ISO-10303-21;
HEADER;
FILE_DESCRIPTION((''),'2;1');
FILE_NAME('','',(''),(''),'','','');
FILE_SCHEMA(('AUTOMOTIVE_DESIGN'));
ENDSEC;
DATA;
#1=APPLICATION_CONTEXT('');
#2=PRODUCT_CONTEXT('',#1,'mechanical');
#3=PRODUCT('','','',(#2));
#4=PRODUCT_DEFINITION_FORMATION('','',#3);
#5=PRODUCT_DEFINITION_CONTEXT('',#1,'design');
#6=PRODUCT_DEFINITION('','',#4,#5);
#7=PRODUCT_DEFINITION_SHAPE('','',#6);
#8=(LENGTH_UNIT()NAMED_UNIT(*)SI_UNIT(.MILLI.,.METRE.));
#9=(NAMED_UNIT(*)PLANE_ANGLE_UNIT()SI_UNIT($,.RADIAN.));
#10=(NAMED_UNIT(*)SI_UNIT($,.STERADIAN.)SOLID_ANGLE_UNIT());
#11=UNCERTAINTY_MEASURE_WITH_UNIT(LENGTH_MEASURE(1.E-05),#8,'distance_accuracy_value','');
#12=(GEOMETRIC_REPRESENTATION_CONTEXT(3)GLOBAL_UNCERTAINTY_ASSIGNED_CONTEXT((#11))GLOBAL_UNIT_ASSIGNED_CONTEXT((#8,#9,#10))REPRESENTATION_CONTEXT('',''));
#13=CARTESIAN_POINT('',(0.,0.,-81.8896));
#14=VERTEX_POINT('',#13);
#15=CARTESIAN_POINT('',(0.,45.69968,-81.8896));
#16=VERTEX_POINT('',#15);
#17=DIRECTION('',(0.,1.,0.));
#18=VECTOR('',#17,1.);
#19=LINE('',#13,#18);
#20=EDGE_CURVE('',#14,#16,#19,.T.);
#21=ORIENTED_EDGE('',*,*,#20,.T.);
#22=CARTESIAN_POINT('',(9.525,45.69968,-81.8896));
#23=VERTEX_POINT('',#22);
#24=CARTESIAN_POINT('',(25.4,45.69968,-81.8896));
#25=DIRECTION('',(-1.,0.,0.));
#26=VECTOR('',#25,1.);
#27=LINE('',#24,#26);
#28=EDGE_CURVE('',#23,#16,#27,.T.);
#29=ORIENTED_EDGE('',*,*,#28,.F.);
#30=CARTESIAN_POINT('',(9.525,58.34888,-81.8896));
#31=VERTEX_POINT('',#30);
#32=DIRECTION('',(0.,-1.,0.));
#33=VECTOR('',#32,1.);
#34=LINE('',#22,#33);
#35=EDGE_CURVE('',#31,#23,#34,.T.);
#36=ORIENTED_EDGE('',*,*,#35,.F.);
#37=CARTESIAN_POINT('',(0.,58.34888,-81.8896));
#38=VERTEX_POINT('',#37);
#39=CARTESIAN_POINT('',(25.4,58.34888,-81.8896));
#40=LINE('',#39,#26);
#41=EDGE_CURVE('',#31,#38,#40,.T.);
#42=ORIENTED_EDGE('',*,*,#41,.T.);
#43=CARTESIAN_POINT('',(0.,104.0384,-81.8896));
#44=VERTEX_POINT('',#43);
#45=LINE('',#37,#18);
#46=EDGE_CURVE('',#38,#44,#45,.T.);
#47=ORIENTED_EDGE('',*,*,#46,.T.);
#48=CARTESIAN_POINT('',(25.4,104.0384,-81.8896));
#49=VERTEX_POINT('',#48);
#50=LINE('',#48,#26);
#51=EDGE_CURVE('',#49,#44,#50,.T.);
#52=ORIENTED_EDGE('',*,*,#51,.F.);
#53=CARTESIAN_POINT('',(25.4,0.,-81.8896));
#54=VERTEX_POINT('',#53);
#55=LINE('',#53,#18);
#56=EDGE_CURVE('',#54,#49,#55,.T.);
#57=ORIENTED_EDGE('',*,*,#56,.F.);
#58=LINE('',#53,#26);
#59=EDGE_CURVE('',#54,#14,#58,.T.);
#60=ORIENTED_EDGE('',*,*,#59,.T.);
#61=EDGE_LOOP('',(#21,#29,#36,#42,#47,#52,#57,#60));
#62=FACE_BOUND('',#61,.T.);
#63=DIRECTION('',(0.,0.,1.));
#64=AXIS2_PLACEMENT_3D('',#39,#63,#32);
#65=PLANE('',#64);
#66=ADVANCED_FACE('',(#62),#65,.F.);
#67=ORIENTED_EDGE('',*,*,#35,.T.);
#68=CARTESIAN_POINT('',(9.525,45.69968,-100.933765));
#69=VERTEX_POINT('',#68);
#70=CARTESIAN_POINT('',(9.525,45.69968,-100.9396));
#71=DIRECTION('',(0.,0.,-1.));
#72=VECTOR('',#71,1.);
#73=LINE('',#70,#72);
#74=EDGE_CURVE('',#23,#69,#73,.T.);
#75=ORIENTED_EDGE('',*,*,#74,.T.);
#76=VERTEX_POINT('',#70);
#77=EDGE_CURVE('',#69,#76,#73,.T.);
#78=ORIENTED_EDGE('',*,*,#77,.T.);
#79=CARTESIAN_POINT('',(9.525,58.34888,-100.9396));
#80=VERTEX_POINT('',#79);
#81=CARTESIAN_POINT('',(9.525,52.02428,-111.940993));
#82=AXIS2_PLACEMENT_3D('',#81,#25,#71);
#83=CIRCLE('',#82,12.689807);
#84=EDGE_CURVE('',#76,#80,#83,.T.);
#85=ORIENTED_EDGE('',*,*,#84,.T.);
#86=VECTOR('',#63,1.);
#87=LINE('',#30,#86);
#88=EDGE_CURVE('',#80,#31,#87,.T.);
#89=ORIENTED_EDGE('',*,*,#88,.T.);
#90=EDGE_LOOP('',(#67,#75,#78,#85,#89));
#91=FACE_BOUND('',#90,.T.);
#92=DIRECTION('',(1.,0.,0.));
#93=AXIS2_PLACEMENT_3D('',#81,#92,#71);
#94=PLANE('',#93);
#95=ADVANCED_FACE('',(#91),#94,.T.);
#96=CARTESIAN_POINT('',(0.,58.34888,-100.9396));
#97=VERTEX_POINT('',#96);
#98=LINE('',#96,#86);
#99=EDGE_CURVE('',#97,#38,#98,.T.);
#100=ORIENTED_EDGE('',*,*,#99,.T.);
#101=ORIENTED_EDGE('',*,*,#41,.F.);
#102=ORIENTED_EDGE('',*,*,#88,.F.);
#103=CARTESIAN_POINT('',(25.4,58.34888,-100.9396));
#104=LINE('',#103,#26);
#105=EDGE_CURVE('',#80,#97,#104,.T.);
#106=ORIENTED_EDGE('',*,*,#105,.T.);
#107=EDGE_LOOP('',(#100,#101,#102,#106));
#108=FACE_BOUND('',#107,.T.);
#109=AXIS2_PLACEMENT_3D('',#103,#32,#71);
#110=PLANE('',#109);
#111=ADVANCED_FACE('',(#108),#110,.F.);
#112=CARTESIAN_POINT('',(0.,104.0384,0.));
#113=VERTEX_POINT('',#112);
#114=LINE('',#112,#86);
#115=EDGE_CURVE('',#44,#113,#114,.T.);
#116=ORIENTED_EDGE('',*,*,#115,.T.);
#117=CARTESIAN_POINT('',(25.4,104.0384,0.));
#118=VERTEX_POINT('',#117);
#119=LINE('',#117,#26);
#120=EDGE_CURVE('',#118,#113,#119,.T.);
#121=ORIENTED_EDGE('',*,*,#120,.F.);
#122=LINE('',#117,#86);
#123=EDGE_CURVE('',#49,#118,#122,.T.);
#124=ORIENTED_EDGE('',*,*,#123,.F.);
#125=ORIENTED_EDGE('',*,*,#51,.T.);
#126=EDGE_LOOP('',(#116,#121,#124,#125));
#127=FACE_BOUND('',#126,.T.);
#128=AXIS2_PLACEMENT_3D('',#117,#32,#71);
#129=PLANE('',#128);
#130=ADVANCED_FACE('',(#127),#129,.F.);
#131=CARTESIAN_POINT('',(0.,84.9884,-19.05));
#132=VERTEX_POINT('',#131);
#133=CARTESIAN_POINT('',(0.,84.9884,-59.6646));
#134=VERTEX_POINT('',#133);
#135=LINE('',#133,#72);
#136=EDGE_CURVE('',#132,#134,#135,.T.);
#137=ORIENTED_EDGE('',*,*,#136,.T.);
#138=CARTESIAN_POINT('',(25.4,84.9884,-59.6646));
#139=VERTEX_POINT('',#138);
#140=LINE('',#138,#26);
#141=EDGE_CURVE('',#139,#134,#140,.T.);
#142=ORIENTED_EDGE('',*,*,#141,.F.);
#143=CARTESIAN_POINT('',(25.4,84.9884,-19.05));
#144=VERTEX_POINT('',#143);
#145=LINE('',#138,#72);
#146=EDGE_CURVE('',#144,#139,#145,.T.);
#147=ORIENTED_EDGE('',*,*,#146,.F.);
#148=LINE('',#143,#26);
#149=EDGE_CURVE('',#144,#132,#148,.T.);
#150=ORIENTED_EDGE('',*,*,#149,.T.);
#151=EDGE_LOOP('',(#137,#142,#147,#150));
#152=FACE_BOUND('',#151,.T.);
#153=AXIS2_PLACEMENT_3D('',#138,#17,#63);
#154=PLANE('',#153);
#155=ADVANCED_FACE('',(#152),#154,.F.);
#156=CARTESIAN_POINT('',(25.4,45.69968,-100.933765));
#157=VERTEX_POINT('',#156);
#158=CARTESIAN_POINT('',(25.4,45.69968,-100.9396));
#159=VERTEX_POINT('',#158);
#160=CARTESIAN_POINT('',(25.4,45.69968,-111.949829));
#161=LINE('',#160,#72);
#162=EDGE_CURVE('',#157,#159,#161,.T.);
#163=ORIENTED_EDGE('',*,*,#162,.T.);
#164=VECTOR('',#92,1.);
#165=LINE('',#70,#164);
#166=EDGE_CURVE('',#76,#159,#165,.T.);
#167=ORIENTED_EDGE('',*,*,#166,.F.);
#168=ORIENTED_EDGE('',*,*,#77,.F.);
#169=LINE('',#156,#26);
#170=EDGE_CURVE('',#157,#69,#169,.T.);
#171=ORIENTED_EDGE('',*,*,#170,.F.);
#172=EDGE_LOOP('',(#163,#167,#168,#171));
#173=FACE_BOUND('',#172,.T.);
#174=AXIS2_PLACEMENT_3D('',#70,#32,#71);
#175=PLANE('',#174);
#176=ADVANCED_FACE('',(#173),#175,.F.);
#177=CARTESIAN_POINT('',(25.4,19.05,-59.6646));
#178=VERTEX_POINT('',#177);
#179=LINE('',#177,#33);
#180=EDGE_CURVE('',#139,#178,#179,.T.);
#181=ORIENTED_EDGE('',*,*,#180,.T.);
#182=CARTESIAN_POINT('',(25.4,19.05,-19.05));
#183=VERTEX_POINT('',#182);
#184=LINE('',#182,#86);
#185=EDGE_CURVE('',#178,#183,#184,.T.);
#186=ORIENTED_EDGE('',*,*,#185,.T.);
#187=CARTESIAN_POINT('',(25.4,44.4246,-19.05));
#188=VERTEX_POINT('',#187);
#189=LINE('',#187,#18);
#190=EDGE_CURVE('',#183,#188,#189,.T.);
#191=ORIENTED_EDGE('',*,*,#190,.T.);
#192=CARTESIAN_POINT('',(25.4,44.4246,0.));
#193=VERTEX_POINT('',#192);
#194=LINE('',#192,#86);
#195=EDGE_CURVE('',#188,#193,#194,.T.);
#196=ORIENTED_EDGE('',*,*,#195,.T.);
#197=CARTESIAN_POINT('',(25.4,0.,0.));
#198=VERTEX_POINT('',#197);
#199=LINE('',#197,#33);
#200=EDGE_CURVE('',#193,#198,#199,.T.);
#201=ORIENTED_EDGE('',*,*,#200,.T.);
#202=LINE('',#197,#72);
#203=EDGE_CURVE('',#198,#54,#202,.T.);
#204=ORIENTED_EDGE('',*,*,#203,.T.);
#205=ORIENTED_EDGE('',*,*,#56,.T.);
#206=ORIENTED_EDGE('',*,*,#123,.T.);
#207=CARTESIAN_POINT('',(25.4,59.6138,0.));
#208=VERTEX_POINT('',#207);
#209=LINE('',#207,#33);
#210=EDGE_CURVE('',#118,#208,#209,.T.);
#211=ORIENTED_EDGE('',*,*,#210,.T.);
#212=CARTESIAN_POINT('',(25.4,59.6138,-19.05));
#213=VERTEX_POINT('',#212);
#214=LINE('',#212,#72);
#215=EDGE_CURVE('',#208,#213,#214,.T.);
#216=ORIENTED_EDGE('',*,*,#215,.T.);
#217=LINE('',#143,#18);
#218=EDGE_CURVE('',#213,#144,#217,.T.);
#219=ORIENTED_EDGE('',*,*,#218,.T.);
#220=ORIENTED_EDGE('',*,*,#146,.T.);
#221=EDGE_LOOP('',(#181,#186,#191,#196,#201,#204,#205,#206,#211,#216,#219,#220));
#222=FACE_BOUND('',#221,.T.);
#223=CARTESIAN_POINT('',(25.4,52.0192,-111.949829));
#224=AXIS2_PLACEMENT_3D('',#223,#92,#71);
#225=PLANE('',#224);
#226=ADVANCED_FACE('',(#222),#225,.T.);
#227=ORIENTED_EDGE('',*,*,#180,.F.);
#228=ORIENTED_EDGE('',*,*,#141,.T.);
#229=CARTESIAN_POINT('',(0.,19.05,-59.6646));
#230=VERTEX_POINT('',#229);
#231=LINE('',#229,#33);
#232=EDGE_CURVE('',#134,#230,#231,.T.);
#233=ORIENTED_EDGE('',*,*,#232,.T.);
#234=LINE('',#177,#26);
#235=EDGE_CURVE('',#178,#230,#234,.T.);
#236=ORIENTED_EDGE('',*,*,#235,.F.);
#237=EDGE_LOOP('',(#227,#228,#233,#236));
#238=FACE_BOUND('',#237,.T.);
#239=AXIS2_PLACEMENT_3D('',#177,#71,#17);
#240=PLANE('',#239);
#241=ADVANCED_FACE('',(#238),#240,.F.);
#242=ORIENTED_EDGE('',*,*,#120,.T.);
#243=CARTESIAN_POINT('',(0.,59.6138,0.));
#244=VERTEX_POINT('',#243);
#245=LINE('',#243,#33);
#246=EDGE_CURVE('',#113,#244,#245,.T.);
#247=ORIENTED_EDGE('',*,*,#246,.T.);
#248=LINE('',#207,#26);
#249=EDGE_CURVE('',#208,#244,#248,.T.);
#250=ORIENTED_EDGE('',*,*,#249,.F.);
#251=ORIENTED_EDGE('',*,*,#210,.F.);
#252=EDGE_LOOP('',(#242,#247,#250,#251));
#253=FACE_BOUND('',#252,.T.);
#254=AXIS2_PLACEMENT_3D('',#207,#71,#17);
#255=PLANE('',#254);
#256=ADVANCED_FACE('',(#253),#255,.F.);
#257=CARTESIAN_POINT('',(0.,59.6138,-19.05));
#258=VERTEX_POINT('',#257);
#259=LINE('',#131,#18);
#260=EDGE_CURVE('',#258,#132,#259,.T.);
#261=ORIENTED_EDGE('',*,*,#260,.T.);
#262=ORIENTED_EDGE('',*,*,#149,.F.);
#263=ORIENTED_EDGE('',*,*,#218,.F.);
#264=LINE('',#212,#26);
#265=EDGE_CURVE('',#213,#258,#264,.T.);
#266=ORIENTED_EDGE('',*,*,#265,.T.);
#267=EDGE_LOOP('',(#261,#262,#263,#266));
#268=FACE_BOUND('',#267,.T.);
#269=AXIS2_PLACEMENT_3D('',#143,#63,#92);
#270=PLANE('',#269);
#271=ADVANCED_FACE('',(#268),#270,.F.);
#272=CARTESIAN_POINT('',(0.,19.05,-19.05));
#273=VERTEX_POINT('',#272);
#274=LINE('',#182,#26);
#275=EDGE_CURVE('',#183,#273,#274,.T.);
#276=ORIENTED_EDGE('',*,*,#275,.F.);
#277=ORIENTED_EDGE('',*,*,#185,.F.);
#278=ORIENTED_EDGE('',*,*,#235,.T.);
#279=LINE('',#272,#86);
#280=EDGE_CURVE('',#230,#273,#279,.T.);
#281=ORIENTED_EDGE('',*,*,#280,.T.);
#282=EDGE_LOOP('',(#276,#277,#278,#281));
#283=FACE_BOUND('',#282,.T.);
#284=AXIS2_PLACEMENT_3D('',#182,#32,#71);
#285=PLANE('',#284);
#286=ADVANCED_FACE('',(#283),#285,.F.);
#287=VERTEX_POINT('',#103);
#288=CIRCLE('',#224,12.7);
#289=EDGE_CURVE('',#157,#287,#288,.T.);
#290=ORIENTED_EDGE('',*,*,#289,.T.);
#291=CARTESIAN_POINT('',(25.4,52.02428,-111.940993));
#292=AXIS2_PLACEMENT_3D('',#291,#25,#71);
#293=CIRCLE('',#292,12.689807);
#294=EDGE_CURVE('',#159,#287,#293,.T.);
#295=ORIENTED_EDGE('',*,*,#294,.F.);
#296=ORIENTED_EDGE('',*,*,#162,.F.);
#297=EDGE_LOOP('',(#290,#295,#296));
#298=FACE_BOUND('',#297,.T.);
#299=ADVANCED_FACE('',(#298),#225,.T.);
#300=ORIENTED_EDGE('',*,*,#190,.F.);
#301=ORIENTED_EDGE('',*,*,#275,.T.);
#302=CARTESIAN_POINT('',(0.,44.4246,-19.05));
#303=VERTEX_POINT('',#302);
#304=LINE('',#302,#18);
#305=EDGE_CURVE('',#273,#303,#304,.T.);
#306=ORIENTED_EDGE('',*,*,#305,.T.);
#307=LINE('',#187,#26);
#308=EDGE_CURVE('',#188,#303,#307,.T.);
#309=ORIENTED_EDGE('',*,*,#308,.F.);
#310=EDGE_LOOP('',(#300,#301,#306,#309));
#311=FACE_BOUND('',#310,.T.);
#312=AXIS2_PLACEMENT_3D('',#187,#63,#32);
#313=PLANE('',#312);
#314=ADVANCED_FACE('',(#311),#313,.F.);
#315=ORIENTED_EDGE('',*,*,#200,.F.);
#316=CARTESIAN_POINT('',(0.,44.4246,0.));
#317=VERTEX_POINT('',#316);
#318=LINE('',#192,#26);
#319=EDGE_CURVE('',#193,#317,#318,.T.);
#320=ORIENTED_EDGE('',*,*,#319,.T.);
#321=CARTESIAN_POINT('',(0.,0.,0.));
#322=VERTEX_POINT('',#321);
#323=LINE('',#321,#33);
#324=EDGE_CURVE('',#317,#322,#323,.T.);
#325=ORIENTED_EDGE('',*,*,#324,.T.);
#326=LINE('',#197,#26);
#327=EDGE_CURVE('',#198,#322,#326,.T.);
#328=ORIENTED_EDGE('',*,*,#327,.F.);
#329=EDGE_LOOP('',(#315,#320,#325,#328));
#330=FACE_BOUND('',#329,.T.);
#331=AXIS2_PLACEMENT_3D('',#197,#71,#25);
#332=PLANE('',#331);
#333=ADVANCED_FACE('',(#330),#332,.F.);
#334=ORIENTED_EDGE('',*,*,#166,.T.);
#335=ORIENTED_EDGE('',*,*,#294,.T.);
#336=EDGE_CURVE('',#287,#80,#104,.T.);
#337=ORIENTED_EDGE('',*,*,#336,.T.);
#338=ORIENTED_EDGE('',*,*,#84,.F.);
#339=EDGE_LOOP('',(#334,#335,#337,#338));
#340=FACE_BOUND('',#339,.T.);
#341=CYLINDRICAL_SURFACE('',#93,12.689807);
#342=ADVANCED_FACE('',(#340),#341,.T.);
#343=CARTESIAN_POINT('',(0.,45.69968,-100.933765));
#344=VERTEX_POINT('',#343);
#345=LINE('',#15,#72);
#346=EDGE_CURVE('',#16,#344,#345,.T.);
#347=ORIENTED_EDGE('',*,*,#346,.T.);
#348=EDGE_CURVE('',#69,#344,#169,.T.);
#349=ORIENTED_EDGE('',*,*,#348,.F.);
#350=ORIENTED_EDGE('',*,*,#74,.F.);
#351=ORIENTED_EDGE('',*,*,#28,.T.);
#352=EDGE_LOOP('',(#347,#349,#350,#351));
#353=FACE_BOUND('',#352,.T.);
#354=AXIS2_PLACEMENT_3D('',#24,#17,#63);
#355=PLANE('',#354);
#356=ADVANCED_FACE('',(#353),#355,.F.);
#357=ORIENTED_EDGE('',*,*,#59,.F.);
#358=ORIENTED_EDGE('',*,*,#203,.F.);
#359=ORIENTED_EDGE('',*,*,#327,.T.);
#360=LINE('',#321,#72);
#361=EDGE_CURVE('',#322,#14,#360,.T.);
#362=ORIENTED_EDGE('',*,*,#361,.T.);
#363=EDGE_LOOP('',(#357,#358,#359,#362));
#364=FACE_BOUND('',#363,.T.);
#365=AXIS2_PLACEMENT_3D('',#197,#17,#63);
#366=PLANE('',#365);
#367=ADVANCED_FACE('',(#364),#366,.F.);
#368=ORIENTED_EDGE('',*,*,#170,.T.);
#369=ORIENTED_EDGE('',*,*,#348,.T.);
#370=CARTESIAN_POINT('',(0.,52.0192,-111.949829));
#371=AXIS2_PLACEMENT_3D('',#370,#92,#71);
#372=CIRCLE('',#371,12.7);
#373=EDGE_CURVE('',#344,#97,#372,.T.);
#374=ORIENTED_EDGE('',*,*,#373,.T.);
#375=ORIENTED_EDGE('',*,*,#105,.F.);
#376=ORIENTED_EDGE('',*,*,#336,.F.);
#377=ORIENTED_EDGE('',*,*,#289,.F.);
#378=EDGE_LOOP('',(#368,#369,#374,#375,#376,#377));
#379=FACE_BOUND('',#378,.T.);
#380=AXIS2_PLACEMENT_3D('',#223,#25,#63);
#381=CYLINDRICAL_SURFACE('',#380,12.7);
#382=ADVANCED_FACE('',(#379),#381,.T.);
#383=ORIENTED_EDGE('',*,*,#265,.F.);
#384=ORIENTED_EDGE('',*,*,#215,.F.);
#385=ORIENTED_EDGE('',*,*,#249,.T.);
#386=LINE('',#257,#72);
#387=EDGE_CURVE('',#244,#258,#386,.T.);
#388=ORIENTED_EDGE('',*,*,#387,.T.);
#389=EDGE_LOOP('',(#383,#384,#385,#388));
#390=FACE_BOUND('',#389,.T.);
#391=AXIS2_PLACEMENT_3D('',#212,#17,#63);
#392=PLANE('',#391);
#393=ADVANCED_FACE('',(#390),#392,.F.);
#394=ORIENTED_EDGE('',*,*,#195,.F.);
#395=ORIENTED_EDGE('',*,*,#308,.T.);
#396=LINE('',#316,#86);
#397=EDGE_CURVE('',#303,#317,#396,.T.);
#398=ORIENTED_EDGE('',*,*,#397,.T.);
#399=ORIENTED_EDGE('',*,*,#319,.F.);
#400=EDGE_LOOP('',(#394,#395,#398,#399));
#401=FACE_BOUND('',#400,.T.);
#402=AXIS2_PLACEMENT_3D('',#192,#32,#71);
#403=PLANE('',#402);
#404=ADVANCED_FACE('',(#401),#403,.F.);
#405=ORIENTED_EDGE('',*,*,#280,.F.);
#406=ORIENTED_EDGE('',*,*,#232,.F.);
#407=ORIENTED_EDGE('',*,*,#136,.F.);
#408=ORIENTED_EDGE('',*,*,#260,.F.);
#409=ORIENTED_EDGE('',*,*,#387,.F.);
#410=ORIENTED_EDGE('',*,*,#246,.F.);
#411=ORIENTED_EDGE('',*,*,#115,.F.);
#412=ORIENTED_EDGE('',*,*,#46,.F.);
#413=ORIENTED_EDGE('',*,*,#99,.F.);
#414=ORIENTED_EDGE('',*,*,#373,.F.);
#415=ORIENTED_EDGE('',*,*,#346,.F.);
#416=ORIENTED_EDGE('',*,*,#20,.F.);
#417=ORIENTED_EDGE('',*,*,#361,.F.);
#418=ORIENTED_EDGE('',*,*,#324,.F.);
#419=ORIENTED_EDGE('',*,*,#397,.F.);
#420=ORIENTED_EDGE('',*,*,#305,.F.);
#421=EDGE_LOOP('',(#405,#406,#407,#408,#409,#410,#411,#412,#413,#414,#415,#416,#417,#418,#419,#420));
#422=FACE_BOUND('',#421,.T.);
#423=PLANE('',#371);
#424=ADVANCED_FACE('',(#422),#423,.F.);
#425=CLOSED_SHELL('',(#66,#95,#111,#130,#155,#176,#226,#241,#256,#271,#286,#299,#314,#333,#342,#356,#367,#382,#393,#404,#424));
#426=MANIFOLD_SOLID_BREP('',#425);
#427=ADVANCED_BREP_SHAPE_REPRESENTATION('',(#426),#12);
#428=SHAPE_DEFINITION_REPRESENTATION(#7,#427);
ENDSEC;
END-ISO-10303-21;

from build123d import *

# Parameters (mm, degrees)
BOSS_EXTRUDE1_DEPTH = 25.4
CUT_EXTRUDE1_DEPTH  = 15.875


with BuildPart() as part:
    # Sketch1 → Boss-Extrude1 (new body)
    with BuildSketch(Plane.YZ):
        with BuildLine():
            Line((0, 0), (44.4246, 0))
            Line((44.4246, 0), (44.4246, -19.05))
            Line((44.4246, -19.05), (19.05, -19.05))
            Line((19.05, -19.05), (19.05, -59.6646))
            Line((19.05, -59.6646), (84.9884, -59.6646))
            Line((84.9884, -59.6646), (84.9884, -19.05))
            Line((84.9884, -19.05), (59.6138, -19.05))
            Line((59.6138, -19.05), (59.6138, 0))
            Line((59.6138, 0), (104.0384, 0))
            Line((104.0384, 0), (104.0384, -81.8896))
            Line((104.0384, -81.8896), (58.34888, -81.8896))
            Line((58.34888, -81.8896), (58.34888, -100.9396))
            ThreePointArc((58.34888, -100.9396), (52.013341911, -124.649828033), (45.69968, -100.933765343))
            Line((45.69968, -100.933765343), (45.69968, -81.8896))
            Line((45.69968, -81.8896), (0, -81.8896))
            Line((0, -81.8896), (0, 0))
        make_face()
    extrude(amount=BOSS_EXTRUDE1_DEPTH)

    # Sketch2 → Cut-Extrude1 (cut)
    with BuildSketch(Plane.YZ.offset(25.4)):
        with BuildLine():
            Line((45.69968, -81.8896), (58.34888, -81.8896))
            Line((58.34888, -81.8896), (58.34888, -100.9396))
            ThreePointArc((58.34888, -100.9396), (52.02428, -99.251185541), (45.69968, -100.9396))
            Line((45.69968, -100.9396), (45.69968, -81.8896))
        make_face()
    extrude(amount=-CUT_EXTRUDE1_DEPTH, mode=Mode.SUBTRACT)


solid = part.part
